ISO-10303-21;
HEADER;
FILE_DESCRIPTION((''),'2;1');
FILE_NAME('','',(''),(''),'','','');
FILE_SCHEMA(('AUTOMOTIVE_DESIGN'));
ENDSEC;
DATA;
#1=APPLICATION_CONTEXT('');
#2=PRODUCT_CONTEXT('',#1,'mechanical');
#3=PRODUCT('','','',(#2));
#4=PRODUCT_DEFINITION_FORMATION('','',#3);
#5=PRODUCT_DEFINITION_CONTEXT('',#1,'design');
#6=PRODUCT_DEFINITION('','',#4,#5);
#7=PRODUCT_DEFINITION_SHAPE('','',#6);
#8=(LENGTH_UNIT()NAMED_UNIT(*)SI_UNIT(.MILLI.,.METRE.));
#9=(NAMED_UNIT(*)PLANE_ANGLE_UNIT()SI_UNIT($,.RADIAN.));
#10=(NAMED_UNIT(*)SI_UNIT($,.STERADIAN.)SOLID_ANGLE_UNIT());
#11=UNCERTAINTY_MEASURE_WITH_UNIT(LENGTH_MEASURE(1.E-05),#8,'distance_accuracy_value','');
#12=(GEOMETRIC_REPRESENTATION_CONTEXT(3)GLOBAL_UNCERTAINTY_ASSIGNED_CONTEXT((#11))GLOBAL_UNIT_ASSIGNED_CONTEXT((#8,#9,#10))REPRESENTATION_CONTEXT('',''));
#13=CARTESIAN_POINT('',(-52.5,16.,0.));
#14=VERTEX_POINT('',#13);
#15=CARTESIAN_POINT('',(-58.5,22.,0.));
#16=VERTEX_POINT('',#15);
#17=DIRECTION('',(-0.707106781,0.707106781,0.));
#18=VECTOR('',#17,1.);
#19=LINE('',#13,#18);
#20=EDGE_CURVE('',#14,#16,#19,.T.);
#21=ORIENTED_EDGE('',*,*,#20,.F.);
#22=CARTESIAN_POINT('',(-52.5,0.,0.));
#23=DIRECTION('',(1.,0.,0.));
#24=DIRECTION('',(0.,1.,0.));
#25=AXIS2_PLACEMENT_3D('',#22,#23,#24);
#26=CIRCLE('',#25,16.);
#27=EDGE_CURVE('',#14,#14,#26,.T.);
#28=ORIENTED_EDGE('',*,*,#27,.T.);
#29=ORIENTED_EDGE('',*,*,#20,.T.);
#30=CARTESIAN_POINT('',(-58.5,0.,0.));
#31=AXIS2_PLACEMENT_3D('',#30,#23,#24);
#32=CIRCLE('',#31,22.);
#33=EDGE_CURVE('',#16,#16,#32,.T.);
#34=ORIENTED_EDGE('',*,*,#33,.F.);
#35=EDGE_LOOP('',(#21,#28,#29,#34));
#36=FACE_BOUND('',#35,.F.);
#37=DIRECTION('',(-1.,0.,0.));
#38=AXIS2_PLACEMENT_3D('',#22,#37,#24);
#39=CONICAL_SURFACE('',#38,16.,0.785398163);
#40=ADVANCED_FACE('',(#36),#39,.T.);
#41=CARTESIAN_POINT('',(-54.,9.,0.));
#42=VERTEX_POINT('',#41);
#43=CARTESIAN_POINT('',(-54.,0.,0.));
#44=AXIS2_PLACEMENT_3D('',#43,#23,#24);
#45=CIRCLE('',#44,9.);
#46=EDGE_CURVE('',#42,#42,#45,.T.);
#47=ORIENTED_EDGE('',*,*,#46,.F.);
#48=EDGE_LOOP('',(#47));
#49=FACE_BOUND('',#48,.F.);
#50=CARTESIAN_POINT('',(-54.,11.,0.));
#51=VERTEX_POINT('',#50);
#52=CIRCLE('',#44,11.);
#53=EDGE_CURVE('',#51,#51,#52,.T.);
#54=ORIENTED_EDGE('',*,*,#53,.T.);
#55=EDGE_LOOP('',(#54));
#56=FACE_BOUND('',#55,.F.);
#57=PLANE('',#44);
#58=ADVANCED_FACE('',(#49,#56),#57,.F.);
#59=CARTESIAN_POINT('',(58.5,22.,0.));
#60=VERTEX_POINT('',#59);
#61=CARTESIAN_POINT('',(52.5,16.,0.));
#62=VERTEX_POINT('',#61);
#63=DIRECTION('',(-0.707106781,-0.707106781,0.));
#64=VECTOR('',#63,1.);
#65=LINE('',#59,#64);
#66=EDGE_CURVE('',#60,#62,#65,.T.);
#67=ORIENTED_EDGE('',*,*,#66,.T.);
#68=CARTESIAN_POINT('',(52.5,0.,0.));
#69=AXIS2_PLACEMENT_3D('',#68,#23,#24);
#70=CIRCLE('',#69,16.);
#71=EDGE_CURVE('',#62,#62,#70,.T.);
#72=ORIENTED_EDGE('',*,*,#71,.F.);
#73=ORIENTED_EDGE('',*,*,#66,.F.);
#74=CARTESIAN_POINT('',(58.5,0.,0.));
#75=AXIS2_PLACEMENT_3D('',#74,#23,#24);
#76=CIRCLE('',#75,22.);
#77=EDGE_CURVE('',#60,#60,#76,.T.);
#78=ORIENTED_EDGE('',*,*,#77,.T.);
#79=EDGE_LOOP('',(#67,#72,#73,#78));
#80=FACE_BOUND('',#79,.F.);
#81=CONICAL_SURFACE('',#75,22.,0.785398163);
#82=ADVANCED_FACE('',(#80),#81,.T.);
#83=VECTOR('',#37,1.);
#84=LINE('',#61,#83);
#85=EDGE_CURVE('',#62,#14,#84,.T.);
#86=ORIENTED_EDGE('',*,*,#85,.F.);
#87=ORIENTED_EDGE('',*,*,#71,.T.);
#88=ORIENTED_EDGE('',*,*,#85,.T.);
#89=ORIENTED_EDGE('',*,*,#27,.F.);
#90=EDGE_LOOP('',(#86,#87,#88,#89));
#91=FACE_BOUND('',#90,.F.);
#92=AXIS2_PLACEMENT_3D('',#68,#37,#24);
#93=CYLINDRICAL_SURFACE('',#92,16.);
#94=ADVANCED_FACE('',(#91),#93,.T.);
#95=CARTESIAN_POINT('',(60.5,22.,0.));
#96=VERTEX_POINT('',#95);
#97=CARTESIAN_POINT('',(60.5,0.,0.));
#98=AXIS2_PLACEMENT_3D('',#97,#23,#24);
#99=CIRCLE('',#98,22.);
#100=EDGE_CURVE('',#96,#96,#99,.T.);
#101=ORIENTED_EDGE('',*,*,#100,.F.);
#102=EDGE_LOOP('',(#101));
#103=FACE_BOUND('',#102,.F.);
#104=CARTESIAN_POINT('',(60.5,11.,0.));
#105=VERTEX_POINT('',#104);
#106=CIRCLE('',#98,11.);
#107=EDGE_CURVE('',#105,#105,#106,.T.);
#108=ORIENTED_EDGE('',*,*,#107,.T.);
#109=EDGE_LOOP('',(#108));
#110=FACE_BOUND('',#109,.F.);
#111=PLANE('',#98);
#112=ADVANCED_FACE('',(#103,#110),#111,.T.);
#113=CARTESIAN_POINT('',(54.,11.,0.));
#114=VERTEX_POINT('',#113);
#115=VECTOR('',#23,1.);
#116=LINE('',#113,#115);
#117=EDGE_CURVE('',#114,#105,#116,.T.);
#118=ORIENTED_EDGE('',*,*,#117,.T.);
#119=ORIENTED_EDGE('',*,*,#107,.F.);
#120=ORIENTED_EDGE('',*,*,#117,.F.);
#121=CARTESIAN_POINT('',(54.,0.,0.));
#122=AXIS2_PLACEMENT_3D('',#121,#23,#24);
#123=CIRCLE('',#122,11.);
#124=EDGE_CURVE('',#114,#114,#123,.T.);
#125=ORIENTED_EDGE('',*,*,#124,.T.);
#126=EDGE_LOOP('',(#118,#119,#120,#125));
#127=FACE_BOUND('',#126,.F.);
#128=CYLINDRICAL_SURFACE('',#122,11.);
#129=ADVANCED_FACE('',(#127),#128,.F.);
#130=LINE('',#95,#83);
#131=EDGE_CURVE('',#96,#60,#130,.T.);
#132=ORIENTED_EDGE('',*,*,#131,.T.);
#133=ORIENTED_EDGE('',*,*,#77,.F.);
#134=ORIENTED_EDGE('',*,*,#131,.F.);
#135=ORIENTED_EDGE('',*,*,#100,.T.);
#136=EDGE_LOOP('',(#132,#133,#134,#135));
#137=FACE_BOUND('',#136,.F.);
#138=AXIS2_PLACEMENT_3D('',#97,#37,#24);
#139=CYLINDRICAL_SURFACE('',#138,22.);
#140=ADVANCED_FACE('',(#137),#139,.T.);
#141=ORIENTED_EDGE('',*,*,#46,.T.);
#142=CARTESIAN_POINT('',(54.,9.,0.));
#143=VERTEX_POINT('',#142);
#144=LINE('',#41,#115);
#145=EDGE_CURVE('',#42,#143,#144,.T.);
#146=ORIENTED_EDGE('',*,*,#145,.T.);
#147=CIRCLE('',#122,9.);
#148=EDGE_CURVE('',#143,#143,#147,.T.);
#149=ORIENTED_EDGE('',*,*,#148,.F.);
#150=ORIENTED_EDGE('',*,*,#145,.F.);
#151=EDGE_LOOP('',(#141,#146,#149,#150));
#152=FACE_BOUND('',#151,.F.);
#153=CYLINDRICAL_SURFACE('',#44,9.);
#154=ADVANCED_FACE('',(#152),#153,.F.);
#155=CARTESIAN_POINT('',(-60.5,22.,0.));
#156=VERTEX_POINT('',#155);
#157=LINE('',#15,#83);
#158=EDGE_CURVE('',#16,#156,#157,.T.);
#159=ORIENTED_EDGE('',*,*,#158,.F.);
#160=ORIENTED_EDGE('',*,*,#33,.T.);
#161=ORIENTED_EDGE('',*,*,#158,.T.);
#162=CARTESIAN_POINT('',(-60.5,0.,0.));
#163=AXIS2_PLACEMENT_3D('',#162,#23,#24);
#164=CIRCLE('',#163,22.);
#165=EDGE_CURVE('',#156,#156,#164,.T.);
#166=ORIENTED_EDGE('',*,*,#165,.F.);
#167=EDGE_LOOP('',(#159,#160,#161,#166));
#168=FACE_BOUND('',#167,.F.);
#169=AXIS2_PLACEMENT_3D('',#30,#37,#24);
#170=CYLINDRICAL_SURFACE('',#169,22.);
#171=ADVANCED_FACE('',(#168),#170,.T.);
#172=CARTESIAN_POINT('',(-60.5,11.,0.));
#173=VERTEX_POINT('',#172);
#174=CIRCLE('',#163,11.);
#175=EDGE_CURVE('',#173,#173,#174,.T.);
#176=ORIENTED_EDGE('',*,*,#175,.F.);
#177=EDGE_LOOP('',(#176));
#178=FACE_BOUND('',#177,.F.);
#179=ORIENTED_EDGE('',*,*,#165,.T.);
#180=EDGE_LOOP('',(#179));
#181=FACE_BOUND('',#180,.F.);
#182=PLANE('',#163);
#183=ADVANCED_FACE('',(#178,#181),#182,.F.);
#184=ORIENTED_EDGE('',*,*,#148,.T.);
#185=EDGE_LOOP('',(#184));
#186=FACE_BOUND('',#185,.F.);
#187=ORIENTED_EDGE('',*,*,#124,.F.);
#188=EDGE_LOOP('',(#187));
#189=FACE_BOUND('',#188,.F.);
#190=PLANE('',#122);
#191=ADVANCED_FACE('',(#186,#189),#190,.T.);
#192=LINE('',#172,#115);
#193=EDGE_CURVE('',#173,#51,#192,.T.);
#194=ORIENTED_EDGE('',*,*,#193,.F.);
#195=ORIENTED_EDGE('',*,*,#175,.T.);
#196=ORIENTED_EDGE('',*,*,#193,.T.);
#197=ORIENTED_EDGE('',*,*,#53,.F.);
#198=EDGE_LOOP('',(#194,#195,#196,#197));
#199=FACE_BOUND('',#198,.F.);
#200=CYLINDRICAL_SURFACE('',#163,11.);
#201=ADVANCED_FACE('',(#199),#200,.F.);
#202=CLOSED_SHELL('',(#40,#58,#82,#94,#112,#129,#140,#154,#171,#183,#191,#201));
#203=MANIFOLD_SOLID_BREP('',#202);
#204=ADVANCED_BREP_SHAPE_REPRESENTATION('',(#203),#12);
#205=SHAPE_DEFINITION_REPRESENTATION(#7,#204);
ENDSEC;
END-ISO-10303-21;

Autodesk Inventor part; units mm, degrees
ref_plane "YZ Plane" through (0, 0, 0) normal (1, 0, 0) x (0, 1, 0)
ref_plane "XZ Plane" through (0, 0, 0) normal (0, 1, 0) x (-1, 0, 0)
ref_plane "XY Plane" through (0, 0, 0) normal (0, 0, 1) x (1, 0, 0)
sketch "Sketch1" plane through (0, 0, 0) normal (0, 0, 1) x (1, 0, 0)
  line L0 (-60.5, 11) -> (-54, 11)
  line L1 (-54, 11) -> (-54, 9)
  line L2 (-54, 9) -> (54, 9)
  line L3 (54, 9) -> (54, 11)
  line L4 (54, 11) -> (60.5, 11)
  line L5 (60.5, 11) -> (60.5, 22)
  line L6 (60.5, 22) -> (58.5, 22)
  line L7 (58.5, 22) -> (52.5, 16)
  line L8 (52.5, 16) -> (-52.5, 16)
  line L9 (-52.5, 16) -> (-58.5, 22)
  line L10 (-58.5, 22) -> (-60.5, 22)
  line L11 (-60.5, 22) -> (-60.5, 11)
  line L12 (-84.7, 0) -> (84.7, 0) projected
  point P0 (0, 0)
  point P1 (0, 16)
  point P2 (0, 9)
  dimension "d0" = 11
  dimension "d1" = 6.5
  dimension "d2" = 9
  dimension "d4" = 105
  dimension "d6" = 2
  dimension "d7" = 16
  dimension "d8" = 22
revolve "Revolution1" add sketch "Sketch1" angle 360 about axis through (-10, 0, 0) along (1, 0, 0)
properties part number "Riiserolle"
